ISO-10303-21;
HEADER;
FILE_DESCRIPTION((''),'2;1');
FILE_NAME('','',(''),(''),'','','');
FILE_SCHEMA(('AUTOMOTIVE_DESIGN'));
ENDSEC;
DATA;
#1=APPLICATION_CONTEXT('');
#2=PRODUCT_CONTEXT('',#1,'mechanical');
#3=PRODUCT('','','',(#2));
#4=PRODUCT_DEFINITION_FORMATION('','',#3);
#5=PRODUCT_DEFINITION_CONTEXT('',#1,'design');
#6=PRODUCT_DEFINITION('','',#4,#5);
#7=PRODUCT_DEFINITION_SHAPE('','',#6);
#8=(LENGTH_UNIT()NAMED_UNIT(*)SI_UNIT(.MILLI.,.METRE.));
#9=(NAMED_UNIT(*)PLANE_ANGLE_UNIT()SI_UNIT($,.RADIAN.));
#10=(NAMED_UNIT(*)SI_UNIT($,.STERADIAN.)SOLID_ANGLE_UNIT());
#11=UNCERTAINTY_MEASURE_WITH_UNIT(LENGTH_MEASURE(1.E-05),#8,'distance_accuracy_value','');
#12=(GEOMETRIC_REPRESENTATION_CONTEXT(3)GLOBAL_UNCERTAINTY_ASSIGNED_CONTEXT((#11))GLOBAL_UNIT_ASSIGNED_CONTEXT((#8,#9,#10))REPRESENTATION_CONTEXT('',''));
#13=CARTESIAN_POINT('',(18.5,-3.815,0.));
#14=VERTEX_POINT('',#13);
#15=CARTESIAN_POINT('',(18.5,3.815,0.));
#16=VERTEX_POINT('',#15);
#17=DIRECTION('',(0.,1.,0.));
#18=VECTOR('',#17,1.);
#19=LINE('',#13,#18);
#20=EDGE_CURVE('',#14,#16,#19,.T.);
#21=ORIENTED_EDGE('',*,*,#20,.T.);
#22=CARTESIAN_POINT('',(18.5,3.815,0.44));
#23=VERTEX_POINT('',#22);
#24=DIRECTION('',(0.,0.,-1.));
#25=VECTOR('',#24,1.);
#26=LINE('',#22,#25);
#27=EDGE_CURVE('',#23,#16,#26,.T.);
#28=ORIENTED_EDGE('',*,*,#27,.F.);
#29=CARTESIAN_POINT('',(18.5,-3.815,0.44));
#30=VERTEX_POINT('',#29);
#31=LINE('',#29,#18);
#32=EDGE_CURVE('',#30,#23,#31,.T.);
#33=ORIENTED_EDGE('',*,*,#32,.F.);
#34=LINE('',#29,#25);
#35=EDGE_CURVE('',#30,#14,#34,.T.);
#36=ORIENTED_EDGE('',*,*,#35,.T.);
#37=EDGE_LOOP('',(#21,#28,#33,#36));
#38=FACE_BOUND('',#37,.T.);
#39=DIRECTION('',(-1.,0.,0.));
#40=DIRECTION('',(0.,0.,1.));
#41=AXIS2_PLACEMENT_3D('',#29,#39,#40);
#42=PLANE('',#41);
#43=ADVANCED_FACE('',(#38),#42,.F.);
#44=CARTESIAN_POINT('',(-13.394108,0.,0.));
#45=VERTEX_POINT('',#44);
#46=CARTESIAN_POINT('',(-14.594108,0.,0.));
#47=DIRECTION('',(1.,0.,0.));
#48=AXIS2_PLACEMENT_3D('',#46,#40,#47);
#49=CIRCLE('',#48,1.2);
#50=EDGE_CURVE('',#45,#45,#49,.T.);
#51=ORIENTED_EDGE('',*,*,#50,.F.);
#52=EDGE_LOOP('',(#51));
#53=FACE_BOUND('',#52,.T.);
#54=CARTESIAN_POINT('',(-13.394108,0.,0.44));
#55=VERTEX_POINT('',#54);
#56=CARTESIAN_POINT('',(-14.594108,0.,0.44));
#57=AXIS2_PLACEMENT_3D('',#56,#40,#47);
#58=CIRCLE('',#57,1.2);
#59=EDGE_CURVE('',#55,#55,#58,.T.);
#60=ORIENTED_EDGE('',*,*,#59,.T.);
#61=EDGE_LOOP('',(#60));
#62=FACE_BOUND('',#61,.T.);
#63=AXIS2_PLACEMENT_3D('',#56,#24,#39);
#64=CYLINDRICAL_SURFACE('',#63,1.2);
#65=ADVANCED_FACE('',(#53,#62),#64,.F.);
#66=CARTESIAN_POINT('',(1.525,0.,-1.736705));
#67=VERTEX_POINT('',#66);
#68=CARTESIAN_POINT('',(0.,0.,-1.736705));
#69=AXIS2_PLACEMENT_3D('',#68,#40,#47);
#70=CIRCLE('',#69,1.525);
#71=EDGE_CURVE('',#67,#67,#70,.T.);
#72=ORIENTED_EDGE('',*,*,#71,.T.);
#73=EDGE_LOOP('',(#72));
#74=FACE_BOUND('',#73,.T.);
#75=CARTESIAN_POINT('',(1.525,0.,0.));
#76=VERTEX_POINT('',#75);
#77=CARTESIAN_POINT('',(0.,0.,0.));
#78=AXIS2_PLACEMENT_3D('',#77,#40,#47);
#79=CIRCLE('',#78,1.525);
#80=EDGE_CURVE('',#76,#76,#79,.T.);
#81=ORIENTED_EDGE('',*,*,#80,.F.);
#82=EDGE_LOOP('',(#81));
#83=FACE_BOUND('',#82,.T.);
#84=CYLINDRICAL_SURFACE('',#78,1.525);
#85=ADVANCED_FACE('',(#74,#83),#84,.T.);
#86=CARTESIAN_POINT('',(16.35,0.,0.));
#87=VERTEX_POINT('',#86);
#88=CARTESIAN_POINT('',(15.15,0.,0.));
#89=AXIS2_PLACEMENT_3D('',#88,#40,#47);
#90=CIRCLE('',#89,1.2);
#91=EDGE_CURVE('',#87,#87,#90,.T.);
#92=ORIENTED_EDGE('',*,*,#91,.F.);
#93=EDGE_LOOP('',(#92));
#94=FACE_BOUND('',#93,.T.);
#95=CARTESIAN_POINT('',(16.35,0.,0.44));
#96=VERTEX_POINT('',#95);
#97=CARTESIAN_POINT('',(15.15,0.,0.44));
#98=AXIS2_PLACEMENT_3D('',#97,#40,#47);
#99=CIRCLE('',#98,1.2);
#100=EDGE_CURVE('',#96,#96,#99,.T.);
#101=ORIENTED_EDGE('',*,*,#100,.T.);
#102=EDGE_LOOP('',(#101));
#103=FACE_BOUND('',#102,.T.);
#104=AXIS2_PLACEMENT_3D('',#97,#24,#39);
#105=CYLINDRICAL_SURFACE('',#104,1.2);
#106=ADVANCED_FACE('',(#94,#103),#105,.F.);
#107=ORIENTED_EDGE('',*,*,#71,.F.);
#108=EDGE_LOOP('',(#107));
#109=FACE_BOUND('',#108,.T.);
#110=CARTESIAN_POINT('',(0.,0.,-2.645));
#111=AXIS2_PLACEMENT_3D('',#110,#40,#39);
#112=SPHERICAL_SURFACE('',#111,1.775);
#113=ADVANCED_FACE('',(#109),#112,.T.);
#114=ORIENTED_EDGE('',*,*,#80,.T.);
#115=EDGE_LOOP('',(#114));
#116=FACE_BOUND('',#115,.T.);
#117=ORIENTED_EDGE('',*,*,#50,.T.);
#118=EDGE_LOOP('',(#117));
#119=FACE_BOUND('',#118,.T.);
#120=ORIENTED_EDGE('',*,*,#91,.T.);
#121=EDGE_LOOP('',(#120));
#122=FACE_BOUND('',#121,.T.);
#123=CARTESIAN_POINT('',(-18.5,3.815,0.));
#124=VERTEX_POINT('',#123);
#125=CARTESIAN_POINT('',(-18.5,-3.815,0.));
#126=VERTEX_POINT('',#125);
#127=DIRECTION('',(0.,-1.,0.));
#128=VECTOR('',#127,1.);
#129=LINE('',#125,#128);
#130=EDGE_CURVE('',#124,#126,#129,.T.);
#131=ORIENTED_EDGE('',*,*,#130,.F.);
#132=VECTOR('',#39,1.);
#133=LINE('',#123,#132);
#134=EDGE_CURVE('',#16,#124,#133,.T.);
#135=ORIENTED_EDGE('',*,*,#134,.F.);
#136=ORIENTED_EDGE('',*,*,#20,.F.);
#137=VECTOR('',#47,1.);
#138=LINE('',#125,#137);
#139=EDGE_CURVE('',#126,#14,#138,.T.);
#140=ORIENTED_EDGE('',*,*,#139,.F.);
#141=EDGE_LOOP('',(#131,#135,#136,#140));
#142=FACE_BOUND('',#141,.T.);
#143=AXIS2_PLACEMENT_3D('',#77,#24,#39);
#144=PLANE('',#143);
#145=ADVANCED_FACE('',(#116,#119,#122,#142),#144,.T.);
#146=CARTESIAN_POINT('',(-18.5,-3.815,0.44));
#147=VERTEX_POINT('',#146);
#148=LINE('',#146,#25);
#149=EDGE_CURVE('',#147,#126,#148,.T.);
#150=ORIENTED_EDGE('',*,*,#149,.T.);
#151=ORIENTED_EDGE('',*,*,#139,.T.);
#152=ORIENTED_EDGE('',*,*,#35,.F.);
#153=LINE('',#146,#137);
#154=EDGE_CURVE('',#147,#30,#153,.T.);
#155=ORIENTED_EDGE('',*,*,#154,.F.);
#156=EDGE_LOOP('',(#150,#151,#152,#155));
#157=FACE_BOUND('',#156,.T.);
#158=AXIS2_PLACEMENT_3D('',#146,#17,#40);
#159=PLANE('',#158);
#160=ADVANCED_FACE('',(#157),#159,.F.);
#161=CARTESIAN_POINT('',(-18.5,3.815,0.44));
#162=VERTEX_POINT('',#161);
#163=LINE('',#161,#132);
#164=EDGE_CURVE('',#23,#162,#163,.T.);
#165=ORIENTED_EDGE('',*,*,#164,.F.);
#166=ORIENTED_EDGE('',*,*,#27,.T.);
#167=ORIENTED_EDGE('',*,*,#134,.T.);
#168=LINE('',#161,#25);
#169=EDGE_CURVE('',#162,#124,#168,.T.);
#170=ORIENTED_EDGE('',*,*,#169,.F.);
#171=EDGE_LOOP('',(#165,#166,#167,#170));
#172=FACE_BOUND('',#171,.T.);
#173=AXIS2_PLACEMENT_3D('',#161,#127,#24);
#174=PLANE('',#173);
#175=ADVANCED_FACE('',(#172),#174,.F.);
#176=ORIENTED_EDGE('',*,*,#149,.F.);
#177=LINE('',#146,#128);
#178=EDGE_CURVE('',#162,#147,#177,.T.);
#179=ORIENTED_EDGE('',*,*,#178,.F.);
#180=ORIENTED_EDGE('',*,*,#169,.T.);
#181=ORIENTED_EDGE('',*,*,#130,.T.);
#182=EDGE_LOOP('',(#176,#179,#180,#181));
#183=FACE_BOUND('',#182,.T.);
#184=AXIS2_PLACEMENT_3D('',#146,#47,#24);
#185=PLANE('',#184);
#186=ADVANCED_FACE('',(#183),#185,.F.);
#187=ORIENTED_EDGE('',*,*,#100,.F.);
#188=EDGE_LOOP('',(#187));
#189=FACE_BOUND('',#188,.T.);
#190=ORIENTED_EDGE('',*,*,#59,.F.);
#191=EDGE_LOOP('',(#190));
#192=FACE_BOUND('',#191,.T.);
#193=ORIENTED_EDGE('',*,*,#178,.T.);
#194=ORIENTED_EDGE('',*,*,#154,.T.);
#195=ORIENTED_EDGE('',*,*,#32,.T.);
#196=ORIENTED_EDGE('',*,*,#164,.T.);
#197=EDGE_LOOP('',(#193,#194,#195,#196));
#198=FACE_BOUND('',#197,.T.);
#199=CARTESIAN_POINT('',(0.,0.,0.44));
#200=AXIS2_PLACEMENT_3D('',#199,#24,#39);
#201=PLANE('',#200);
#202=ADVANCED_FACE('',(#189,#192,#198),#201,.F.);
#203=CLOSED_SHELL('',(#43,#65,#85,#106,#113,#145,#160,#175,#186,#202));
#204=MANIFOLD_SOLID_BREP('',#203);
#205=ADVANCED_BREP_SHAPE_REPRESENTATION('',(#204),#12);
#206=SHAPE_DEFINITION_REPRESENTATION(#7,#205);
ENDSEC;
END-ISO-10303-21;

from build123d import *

# Parameters (mm, degrees)
SKETCH1_W           = 37
SKETCH1_H           = 7.63
SKETCH1_R           = 1.2
BOSS_EXTRUDE1_DEPTH = 0.44


with BuildPart() as part:
    # Sketch1 → Boss-Extrude1 (new body)
    with BuildSketch(Plane.XY):
        Rectangle(SKETCH1_W, SKETCH1_H)
        with Locations((-14.59410802, 0)):
            Circle(SKETCH1_R, mode=Mode.SUBTRACT)
        with Locations((15.15, 0)):
            Circle(SKETCH1_R, mode=Mode.SUBTRACT)
    extrude(amount=BOSS_EXTRUDE1_DEPTH)

    # Sketch2 → Revolve2 (revolve)
    with BuildSketch(Plane(origin=(0, 0, 0), x_dir=(1, 0, 0), z_dir=(0, 1, 0))):
        with BuildLine():
            Line((0, 0), (0, 4.42))
            ThreePointArc((0, 4.42), (-1.543186446, 3.522040816), (-1.525, 1.736704894))
            Line((-1.525, 1.736704894), (-1.525, 0))
            Line((-1.525, 0), (0, 0))
        make_face()
    revolve(axis=Axis((0, 0, 0), (0, 0, -1)))


solid = part.part
